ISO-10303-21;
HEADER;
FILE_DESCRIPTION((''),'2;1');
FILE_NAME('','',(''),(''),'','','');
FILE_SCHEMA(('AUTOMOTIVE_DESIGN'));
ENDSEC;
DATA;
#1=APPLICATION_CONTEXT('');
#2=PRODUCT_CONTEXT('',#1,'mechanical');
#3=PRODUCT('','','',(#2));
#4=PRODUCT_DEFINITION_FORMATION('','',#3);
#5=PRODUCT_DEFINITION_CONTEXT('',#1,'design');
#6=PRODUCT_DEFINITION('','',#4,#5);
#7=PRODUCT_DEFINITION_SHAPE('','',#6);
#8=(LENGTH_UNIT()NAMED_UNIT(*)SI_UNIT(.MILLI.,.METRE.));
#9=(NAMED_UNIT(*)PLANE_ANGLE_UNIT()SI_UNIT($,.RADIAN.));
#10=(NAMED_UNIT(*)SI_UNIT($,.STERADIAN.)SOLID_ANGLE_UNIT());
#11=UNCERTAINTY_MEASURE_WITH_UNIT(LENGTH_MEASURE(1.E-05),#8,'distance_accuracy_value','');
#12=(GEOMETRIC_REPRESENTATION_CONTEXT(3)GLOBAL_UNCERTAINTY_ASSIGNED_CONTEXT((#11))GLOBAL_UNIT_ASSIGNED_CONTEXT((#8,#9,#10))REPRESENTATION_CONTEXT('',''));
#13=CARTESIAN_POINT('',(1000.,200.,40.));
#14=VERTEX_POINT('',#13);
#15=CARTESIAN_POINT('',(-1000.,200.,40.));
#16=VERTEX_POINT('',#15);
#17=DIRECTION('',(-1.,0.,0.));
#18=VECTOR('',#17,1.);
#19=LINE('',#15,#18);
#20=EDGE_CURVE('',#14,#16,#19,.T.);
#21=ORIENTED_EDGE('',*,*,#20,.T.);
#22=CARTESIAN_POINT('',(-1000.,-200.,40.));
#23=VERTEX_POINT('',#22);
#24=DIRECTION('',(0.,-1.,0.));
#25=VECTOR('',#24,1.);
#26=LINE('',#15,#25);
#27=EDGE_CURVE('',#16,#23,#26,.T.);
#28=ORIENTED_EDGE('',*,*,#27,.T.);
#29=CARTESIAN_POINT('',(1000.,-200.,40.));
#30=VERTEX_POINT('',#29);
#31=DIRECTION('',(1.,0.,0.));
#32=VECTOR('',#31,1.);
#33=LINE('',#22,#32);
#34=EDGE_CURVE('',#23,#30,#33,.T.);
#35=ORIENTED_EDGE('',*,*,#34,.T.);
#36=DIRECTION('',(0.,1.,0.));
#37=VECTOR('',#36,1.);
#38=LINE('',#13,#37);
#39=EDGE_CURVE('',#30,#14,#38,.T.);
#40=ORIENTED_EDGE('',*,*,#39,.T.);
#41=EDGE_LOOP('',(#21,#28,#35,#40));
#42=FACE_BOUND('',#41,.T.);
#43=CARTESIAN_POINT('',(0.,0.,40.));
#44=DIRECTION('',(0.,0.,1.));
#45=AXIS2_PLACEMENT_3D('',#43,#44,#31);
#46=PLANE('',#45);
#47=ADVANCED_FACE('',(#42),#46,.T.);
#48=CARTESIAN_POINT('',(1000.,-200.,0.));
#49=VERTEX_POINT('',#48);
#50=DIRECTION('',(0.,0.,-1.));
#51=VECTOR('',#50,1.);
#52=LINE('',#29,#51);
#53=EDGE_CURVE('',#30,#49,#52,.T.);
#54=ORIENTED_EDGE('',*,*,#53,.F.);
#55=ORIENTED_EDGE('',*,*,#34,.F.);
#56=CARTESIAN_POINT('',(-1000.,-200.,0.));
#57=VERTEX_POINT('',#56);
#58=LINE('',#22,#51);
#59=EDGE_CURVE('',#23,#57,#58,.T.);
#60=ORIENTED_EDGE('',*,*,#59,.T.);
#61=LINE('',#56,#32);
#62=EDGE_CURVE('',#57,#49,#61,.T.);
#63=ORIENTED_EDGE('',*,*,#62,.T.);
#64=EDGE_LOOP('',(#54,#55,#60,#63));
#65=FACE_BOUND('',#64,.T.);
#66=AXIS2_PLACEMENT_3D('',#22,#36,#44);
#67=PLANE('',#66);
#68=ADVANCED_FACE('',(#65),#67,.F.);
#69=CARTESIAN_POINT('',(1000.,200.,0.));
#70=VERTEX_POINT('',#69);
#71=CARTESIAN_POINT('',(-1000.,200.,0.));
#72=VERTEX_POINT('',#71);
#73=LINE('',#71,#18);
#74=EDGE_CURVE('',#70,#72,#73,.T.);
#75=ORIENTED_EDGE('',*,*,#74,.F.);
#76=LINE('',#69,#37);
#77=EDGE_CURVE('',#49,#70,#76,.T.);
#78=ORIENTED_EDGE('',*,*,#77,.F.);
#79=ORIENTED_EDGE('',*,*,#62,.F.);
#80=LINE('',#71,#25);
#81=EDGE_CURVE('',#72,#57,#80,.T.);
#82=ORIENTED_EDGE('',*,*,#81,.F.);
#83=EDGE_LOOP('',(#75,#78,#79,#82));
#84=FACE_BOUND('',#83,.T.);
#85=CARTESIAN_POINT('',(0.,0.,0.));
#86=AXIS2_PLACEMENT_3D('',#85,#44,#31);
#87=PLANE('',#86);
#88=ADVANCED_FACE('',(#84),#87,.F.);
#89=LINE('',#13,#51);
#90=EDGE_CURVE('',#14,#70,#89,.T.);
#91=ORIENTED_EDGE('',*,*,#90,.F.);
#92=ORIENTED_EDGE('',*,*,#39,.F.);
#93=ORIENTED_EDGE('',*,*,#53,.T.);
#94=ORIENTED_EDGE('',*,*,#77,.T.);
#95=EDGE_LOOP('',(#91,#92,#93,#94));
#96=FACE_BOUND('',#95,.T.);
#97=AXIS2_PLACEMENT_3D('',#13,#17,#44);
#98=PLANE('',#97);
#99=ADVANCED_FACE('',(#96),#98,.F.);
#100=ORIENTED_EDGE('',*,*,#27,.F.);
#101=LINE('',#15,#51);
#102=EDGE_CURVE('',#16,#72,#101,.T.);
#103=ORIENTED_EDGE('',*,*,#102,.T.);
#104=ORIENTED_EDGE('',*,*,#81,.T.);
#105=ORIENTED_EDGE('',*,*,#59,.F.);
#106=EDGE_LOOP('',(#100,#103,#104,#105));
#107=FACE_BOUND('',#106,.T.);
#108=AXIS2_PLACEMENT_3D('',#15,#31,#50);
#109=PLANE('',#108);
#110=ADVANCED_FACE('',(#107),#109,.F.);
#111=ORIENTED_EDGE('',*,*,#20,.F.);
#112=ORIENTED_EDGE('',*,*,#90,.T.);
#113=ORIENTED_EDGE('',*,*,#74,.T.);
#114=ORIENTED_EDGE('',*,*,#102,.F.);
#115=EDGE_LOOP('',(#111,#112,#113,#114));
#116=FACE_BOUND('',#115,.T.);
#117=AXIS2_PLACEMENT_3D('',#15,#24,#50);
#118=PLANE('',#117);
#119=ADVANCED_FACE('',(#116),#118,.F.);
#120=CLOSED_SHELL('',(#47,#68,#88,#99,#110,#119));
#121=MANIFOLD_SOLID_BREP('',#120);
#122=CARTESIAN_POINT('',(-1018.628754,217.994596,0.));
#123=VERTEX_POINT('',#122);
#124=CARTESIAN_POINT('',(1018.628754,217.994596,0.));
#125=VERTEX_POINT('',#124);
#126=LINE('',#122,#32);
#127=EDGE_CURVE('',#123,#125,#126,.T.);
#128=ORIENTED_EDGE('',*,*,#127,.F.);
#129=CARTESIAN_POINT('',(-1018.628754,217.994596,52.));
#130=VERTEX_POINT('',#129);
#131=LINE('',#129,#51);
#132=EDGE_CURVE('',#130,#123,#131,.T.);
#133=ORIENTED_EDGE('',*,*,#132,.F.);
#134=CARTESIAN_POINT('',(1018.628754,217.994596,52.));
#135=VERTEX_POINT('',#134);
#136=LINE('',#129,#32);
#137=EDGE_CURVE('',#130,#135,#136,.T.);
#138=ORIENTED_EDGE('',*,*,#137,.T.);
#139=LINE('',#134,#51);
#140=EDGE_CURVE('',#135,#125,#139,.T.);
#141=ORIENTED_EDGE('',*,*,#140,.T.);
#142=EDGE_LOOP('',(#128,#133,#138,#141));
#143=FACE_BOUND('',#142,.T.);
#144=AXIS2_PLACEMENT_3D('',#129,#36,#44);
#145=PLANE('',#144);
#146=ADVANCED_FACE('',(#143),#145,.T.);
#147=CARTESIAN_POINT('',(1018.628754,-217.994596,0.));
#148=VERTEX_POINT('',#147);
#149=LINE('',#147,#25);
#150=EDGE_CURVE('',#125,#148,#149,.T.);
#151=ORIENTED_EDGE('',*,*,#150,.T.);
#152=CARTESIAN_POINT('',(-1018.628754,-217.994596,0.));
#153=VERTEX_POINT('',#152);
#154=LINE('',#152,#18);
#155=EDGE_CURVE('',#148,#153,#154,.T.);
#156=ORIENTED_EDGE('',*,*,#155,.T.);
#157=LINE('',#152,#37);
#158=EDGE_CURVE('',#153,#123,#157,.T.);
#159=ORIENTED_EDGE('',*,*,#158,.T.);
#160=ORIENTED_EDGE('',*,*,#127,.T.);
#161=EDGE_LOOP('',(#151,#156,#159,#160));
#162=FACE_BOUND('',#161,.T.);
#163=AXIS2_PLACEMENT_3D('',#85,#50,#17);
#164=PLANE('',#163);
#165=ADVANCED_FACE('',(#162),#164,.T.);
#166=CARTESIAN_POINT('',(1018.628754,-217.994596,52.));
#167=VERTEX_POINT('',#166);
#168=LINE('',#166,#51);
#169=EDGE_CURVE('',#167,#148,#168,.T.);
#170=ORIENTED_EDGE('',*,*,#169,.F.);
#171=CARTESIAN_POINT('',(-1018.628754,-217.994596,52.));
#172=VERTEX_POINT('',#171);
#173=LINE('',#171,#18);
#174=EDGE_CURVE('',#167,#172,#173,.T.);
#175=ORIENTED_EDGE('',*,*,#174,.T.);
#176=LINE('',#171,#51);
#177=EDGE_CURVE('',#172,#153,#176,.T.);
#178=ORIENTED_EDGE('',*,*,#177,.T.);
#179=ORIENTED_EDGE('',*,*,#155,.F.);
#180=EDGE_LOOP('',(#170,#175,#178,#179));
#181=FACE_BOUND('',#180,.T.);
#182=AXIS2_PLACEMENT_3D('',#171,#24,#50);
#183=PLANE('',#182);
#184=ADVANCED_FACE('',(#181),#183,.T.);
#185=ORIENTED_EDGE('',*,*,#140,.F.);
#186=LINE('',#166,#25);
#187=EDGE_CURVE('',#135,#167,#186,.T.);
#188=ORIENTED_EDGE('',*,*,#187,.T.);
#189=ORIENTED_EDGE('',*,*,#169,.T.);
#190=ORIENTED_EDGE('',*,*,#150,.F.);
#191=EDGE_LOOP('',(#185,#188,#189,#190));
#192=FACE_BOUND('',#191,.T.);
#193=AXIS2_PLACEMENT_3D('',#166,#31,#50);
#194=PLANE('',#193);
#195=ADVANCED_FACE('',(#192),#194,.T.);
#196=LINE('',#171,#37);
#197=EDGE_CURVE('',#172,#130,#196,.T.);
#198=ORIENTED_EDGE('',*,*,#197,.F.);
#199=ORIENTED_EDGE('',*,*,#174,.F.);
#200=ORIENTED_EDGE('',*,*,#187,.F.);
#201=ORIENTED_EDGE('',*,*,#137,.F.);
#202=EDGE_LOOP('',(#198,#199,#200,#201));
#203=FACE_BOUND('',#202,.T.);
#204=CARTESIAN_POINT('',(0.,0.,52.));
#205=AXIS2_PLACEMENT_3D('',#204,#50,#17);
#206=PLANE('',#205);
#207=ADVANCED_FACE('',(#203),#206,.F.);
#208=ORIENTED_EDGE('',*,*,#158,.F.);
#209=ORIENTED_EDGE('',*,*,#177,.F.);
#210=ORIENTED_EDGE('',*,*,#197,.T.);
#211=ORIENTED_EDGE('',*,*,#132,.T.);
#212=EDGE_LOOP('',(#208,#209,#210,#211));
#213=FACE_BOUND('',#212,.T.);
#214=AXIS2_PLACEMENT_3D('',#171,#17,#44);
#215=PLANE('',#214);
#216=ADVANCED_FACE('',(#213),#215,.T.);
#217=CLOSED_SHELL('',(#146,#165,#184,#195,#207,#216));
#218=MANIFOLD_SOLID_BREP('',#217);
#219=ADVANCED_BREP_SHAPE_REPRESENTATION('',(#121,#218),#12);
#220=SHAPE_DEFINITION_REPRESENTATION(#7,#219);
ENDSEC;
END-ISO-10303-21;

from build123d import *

# Parameters (mm, degrees)
SCHIZZO1_W                   = 2000
SCHIZZO1_H                   = 400
ESTRUSIONE_ESTRUSIONE1_DEPTH = 40
SCHIZZO2_W                   = 2037.257507086
SCHIZZO2_H                   = 435.989192526
ESTRUSIONE_ESTRUSIONE2_DEPTH = 52


with BuildPart() as part:
    # Schizzo1 → Estrusione-Estrusione1 (new body)
    with BuildSketch(Plane.XY):
        Rectangle(SCHIZZO1_W, SCHIZZO1_H)
    extrude(amount=ESTRUSIONE_ESTRUSIONE1_DEPTH)


with BuildPart() as body_2:
    # Schizzo2 → Estrusione-Estrusione2 (new body)
    with BuildSketch(Plane(origin=(0, 0, 0), x_dir=(-1, 0, 0), z_dir=(0, 0, -1))):
        Rectangle(SCHIZZO2_W, SCHIZZO2_H)
    extrude(amount=-ESTRUSIONE_ESTRUSIONE2_DEPTH)


solid = Compound([part.part, body_2.part])
